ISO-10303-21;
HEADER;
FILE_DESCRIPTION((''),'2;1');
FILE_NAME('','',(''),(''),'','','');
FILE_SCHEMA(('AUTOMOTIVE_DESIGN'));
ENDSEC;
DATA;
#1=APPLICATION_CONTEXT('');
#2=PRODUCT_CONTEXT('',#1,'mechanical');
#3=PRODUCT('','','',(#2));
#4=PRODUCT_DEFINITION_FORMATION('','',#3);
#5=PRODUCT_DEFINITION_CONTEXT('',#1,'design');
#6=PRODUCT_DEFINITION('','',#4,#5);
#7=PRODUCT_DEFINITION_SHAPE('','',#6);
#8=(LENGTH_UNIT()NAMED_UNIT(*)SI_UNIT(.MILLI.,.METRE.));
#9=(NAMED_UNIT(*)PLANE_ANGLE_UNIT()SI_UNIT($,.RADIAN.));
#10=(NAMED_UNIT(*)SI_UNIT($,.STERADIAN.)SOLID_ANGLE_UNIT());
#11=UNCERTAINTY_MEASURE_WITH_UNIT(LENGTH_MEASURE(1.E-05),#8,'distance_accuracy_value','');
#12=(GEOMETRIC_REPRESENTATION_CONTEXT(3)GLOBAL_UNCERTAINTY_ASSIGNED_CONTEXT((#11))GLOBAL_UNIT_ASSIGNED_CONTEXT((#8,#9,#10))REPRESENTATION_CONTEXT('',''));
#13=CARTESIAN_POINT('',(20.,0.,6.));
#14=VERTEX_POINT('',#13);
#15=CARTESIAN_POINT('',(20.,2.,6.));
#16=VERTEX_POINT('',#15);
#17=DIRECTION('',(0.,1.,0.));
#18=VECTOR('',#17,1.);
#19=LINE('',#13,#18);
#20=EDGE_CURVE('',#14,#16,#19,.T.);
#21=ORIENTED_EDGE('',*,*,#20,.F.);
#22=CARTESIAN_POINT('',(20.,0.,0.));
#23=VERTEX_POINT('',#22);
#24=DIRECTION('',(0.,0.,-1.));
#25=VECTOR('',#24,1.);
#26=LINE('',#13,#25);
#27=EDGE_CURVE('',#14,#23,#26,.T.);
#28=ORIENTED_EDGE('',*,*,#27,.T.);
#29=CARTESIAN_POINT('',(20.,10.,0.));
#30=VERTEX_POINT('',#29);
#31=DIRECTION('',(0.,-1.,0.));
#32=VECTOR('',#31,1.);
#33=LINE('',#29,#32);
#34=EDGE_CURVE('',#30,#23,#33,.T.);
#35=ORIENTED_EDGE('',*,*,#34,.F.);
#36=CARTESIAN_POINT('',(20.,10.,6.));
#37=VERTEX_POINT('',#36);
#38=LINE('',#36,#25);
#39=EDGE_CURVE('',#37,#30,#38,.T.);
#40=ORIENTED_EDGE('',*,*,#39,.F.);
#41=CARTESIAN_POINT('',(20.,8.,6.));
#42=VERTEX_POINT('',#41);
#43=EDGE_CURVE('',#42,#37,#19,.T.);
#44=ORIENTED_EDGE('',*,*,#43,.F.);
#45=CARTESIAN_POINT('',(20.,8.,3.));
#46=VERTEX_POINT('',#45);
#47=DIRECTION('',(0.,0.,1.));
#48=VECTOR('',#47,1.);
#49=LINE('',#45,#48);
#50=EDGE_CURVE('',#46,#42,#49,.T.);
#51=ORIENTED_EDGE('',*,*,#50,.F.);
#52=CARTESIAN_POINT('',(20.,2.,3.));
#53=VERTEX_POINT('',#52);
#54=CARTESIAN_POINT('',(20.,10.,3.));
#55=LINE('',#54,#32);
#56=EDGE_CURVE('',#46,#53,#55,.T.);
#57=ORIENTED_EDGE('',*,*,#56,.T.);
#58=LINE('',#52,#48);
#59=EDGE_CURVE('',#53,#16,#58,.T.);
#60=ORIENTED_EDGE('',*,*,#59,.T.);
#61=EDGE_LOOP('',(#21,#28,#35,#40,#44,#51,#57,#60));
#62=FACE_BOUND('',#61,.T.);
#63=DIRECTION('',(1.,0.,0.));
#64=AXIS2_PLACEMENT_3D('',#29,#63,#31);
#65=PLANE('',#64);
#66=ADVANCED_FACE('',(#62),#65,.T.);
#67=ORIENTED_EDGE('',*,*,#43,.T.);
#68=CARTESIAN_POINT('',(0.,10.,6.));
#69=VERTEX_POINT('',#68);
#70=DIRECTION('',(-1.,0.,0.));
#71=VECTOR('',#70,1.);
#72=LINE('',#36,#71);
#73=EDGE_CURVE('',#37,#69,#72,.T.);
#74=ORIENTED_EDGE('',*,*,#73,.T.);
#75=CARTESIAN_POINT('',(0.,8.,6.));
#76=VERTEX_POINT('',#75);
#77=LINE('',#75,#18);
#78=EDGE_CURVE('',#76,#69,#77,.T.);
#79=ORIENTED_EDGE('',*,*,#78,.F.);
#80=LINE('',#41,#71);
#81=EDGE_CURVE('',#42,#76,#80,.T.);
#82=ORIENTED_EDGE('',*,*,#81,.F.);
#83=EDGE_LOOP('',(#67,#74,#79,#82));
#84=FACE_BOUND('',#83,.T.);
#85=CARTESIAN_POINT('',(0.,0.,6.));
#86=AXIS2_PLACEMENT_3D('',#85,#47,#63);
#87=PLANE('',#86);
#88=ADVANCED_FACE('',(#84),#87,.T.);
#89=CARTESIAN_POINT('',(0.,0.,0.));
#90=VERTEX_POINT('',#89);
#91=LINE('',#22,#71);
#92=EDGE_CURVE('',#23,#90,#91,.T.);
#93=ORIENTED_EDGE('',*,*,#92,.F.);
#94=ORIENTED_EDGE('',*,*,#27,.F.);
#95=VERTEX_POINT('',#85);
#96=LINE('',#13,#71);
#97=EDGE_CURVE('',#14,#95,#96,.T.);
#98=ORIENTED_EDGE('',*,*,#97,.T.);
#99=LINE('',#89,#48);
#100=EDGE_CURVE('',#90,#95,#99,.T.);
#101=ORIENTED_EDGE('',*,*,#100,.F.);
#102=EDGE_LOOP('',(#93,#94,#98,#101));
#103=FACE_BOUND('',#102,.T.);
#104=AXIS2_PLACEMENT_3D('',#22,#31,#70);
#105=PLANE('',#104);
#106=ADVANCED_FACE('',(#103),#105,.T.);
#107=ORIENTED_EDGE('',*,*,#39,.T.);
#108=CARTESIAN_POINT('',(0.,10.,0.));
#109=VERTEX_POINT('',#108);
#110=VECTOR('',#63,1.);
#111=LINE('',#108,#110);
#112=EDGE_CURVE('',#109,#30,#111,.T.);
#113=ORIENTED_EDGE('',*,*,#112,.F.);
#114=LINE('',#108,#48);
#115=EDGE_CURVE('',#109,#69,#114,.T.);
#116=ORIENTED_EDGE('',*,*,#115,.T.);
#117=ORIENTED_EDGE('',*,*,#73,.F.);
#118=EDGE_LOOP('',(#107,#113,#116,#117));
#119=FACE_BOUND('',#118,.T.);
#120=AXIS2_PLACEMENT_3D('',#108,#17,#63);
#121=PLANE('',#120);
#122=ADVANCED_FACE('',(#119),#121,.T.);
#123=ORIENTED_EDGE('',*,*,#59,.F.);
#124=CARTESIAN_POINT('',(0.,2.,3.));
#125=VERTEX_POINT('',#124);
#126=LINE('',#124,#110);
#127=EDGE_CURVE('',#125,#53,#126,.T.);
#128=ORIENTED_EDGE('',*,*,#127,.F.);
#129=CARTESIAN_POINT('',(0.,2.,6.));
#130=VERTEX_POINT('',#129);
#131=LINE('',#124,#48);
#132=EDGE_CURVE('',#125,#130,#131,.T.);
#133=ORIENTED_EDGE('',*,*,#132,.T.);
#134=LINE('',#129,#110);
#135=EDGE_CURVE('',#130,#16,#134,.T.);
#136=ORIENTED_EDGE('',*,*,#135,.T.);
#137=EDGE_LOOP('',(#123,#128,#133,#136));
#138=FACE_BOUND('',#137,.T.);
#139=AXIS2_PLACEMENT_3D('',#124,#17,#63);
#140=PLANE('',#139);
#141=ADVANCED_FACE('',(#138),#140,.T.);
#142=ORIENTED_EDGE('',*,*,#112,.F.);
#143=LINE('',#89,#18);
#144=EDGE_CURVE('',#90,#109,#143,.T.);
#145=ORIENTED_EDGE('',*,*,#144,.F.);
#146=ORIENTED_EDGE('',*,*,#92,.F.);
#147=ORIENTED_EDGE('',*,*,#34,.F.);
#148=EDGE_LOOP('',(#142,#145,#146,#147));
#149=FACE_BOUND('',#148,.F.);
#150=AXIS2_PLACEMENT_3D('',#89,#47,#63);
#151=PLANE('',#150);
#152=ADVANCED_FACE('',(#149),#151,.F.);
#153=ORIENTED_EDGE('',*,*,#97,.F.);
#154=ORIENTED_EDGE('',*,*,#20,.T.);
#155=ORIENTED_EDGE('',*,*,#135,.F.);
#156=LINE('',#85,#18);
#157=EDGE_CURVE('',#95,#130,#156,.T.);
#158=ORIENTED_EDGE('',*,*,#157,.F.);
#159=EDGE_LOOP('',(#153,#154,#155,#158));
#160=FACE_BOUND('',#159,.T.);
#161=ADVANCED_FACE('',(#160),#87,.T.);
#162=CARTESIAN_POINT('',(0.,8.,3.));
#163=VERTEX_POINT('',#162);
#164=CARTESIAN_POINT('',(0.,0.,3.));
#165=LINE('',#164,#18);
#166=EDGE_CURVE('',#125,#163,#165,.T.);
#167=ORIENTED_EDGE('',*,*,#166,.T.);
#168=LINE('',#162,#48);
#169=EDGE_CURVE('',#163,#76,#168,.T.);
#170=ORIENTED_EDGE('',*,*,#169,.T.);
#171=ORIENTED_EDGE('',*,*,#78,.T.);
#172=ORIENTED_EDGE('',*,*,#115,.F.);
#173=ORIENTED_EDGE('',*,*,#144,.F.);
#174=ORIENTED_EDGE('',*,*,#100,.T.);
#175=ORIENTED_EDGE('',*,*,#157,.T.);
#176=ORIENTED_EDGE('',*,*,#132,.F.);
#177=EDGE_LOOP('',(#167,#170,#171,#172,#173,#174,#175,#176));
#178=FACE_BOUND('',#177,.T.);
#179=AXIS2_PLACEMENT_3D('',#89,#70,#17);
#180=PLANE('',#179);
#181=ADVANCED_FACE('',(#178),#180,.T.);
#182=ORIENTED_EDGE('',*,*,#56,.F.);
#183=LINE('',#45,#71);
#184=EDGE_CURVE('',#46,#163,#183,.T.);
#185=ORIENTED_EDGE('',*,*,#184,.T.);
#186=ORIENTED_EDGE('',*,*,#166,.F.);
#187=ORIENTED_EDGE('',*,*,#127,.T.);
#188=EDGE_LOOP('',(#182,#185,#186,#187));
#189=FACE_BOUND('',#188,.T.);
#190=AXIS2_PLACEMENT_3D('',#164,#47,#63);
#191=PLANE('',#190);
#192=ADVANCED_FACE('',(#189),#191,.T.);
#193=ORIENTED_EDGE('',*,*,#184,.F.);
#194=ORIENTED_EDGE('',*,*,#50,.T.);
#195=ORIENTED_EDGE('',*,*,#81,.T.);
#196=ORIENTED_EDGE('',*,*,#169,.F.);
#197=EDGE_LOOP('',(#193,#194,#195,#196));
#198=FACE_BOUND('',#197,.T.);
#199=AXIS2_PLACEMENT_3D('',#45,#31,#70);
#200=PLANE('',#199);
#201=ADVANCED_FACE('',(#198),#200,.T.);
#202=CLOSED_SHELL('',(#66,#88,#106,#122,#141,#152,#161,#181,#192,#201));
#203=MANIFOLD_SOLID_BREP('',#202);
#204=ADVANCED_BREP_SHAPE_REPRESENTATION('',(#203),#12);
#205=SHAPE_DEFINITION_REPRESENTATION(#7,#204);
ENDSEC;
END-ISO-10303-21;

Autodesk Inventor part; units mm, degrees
ref_plane "YZ Plane" through (0, 0, 0) normal (1, 0, 0) x (0, 1, 0)
ref_plane "XZ Plane" through (0, 0, 0) normal (0, 1, 0) x (-1, 0, 0)
ref_plane "XY Plane" through (0, 0, 0) normal (0, 0, 1) x (1, 0, 0)
sketch "草圖1" plane through (0, 0, 0) normal (0, 0, 1) x (1, 0, 0)
  line L0 (0, 10) -> (20, 10)
  line L1 (20, 10) -> (20, 0)
  line L2 (20, 0) -> (0, 0)
  line L3 (0, 0) -> (0, 10)
  dimension "d0" = 10
  dimension "d1" = 20
extrude "擠出1" add sketch "草圖1" along normal blind 3
sketch "草圖2" plane through (0, 0, 3) normal (0, 0, 1) x (1, 0, 0)
  line L0 (20, 10) -> (0, 10) projected
  line L1 (20, 0) -> (20, 10) projected
  line L2 (0, 10) -> (20, 10)
  line L3 (20, 10) -> (20, 8)
  line L4 (20, 8) -> (0, 8)
  line L5 (0, 8) -> (0, 10)
  line L6 (20, 0) -> (0, 0)
  line L7 (0, 0) -> (0, 2)
  line L8 (0, 2) -> (20, 2)
  line L9 (20, 2) -> (20, 0)
  point P0 (0, 0)
  dimension "d4" = 2
  dimension "d5" = 2
extrude "擠出2" add sketch "草圖2" along normal blind 3
